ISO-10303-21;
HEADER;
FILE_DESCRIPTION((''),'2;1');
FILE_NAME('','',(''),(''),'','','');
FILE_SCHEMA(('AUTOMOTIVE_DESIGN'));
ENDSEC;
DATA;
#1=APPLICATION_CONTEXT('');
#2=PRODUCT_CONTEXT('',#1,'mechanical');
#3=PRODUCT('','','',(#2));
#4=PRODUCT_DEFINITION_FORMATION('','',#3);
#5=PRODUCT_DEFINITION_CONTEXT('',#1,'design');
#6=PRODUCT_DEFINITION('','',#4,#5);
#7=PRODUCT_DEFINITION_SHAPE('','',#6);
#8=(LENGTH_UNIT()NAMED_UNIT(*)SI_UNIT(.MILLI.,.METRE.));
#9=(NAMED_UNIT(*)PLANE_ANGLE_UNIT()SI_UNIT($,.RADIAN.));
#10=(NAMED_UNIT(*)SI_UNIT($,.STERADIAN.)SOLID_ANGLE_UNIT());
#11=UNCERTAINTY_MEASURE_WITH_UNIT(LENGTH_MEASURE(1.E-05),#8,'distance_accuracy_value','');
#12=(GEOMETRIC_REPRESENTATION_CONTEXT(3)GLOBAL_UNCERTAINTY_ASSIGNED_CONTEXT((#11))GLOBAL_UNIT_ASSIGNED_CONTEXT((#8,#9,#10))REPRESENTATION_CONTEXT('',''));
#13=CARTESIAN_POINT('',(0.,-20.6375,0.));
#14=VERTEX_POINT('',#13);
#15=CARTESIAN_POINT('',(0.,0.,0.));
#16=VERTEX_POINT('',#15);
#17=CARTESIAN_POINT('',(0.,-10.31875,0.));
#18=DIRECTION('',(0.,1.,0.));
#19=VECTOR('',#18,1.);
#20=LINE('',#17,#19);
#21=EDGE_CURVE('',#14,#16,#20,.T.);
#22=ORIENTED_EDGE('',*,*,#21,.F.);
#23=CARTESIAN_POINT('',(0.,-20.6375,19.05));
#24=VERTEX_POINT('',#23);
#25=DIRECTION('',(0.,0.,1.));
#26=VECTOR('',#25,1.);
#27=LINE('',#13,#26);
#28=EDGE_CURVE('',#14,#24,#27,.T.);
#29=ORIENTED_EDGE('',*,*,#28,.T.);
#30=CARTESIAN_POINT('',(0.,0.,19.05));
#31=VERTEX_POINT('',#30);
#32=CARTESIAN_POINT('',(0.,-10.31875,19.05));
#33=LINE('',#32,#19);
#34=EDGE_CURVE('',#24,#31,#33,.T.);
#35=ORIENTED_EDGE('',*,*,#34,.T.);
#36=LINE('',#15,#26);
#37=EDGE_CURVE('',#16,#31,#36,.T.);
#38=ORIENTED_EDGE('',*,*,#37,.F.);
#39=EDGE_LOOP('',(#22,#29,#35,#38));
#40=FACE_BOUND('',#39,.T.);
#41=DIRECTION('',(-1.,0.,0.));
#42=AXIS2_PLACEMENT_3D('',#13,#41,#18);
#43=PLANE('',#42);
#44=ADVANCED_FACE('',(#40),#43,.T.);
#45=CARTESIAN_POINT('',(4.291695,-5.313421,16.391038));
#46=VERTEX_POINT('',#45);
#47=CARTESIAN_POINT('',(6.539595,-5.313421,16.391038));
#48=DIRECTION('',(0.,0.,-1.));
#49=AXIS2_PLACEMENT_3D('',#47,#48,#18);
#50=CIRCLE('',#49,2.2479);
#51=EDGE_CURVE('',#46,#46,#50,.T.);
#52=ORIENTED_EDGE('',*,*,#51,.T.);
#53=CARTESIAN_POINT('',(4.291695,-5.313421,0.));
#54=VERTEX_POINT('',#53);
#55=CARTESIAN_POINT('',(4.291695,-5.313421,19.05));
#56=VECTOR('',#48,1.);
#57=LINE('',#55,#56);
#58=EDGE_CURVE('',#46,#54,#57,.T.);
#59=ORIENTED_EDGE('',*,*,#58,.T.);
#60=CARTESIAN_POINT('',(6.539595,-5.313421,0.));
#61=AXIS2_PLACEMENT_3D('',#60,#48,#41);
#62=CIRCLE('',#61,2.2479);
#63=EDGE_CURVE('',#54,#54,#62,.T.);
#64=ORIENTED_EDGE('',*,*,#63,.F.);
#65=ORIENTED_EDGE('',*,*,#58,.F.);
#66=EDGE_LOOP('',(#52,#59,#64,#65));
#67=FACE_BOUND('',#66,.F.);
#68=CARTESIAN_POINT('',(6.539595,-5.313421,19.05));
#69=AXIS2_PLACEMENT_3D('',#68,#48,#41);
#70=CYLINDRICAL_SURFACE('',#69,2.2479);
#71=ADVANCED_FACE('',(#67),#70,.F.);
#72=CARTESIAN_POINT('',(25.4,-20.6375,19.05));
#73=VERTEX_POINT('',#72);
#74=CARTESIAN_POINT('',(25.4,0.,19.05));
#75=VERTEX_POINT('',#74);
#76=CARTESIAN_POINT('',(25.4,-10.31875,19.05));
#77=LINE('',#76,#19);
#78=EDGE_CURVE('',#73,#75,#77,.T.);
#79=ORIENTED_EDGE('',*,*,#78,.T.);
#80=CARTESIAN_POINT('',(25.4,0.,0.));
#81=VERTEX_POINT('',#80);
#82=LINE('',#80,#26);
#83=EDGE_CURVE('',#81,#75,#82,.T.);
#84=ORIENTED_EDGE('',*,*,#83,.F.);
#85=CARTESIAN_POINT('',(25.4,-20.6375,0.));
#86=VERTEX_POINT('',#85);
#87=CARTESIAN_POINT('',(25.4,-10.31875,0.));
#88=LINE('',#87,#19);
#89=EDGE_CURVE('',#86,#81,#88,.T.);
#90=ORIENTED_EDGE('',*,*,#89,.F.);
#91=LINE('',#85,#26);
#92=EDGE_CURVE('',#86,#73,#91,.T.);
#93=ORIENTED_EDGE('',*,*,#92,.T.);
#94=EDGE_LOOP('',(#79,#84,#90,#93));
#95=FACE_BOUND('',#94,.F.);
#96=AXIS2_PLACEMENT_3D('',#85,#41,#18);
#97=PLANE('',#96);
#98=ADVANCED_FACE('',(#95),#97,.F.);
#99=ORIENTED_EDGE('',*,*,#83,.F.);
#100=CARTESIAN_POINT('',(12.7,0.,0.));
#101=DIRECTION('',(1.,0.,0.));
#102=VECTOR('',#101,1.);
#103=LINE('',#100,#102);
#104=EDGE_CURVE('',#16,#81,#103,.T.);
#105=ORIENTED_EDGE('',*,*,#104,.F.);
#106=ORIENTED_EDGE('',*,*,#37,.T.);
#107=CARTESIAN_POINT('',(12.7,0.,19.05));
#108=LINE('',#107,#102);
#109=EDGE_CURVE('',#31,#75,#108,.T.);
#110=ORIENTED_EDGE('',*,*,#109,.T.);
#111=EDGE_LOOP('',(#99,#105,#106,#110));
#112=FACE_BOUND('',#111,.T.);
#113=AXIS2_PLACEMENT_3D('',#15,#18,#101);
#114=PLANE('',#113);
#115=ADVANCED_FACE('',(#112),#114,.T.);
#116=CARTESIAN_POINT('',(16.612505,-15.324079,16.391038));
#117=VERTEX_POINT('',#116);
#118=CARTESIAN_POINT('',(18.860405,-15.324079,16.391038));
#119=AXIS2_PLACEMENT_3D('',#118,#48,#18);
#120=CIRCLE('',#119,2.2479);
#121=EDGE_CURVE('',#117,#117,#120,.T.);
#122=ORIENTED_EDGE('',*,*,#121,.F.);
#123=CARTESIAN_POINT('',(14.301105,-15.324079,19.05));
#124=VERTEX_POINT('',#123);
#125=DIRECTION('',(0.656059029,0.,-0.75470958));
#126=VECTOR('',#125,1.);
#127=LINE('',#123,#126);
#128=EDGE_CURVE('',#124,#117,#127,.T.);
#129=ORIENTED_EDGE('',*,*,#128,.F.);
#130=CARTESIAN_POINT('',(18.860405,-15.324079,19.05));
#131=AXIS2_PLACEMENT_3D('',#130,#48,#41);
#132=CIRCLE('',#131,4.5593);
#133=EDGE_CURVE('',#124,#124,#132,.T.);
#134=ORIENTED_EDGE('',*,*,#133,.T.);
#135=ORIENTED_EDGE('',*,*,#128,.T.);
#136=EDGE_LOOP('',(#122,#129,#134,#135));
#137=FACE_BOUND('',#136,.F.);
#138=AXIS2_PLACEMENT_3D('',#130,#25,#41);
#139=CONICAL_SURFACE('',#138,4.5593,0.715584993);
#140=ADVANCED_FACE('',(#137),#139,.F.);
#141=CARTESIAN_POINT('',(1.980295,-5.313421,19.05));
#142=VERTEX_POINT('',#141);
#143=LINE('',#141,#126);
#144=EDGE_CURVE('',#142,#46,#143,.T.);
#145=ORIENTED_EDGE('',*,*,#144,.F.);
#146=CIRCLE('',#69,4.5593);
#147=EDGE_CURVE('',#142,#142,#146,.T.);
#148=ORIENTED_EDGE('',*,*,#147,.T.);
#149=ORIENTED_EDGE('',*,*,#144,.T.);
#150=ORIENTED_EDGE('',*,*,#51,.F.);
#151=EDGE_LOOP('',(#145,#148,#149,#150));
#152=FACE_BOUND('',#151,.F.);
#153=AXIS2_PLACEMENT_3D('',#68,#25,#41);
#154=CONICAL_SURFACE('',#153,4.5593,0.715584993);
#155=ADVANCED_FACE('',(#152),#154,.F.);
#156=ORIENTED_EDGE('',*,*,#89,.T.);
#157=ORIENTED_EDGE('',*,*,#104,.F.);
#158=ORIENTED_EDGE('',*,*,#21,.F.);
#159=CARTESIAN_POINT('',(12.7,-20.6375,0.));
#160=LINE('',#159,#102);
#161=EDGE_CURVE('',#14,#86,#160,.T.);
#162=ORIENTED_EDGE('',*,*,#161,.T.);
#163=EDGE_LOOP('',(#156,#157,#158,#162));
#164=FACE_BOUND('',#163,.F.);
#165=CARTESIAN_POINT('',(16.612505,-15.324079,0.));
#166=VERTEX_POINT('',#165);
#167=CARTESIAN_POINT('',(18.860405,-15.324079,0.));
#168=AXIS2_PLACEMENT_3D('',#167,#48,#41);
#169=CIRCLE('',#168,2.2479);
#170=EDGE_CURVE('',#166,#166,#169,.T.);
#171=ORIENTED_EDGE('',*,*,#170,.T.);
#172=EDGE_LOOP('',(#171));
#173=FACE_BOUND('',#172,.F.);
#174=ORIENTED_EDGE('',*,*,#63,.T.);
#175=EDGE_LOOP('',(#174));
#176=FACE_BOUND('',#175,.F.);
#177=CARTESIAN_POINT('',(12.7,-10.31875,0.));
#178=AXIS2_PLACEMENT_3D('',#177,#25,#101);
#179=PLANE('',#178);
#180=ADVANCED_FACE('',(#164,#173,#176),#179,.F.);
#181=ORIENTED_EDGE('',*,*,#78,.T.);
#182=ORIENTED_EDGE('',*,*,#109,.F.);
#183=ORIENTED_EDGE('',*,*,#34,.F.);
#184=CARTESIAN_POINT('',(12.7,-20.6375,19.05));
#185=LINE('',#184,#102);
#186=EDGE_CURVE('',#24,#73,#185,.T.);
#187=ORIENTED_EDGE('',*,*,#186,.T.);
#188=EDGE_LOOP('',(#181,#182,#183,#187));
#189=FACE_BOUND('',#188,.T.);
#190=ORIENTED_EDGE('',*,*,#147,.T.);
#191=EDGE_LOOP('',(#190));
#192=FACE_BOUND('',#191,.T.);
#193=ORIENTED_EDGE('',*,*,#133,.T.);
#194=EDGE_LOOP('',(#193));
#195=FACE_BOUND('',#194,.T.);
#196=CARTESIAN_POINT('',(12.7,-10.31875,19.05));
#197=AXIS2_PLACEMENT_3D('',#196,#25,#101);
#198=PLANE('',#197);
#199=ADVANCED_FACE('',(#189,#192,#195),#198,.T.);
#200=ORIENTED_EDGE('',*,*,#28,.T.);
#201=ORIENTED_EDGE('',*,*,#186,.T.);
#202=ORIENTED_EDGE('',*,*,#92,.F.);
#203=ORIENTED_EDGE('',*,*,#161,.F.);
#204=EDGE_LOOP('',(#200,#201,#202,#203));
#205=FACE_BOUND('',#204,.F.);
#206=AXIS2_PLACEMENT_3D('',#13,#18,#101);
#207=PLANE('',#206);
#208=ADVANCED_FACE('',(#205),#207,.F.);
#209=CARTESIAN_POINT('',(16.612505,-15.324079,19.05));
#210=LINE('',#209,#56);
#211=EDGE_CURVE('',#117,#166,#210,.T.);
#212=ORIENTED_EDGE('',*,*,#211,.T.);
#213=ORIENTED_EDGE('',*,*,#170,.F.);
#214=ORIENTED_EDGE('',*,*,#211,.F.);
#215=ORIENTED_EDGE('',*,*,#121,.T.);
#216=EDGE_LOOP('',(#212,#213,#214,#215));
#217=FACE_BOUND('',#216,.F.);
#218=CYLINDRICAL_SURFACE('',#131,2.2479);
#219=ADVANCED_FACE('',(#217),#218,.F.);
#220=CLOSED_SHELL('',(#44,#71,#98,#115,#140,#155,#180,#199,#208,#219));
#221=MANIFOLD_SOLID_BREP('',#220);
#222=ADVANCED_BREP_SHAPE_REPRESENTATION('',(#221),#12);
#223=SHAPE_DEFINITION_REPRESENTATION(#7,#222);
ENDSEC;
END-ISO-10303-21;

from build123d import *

# Parameters (mm, degrees)
F0_W           = 25.4
F0_H           = 20.6375
F1_DEPTH       = 19.05
F4_D           = 4.4958
F4_CSINK_D     = 9.1186
F4_CSINK_ANGLE = 82


with BuildPart() as f1:
    # F0 (on Top) → F1 (new body)
    with BuildSketch(Plane.XY):
        with Locations((12.7, -10.31875)):
            Rectangle(F0_W, F0_H)
    extrude(amount=F1_DEPTH)

    # F4 (through all)
    with Locations(Plane.XY.offset(19.05)):
        with Locations((6.5395951241, -5.3134210383), (18.8604048759, -15.3240789617)):
            CounterSinkHole(F4_D / 2, F4_CSINK_D / 2, counter_sink_angle=F4_CSINK_ANGLE)


solid = f1.part
